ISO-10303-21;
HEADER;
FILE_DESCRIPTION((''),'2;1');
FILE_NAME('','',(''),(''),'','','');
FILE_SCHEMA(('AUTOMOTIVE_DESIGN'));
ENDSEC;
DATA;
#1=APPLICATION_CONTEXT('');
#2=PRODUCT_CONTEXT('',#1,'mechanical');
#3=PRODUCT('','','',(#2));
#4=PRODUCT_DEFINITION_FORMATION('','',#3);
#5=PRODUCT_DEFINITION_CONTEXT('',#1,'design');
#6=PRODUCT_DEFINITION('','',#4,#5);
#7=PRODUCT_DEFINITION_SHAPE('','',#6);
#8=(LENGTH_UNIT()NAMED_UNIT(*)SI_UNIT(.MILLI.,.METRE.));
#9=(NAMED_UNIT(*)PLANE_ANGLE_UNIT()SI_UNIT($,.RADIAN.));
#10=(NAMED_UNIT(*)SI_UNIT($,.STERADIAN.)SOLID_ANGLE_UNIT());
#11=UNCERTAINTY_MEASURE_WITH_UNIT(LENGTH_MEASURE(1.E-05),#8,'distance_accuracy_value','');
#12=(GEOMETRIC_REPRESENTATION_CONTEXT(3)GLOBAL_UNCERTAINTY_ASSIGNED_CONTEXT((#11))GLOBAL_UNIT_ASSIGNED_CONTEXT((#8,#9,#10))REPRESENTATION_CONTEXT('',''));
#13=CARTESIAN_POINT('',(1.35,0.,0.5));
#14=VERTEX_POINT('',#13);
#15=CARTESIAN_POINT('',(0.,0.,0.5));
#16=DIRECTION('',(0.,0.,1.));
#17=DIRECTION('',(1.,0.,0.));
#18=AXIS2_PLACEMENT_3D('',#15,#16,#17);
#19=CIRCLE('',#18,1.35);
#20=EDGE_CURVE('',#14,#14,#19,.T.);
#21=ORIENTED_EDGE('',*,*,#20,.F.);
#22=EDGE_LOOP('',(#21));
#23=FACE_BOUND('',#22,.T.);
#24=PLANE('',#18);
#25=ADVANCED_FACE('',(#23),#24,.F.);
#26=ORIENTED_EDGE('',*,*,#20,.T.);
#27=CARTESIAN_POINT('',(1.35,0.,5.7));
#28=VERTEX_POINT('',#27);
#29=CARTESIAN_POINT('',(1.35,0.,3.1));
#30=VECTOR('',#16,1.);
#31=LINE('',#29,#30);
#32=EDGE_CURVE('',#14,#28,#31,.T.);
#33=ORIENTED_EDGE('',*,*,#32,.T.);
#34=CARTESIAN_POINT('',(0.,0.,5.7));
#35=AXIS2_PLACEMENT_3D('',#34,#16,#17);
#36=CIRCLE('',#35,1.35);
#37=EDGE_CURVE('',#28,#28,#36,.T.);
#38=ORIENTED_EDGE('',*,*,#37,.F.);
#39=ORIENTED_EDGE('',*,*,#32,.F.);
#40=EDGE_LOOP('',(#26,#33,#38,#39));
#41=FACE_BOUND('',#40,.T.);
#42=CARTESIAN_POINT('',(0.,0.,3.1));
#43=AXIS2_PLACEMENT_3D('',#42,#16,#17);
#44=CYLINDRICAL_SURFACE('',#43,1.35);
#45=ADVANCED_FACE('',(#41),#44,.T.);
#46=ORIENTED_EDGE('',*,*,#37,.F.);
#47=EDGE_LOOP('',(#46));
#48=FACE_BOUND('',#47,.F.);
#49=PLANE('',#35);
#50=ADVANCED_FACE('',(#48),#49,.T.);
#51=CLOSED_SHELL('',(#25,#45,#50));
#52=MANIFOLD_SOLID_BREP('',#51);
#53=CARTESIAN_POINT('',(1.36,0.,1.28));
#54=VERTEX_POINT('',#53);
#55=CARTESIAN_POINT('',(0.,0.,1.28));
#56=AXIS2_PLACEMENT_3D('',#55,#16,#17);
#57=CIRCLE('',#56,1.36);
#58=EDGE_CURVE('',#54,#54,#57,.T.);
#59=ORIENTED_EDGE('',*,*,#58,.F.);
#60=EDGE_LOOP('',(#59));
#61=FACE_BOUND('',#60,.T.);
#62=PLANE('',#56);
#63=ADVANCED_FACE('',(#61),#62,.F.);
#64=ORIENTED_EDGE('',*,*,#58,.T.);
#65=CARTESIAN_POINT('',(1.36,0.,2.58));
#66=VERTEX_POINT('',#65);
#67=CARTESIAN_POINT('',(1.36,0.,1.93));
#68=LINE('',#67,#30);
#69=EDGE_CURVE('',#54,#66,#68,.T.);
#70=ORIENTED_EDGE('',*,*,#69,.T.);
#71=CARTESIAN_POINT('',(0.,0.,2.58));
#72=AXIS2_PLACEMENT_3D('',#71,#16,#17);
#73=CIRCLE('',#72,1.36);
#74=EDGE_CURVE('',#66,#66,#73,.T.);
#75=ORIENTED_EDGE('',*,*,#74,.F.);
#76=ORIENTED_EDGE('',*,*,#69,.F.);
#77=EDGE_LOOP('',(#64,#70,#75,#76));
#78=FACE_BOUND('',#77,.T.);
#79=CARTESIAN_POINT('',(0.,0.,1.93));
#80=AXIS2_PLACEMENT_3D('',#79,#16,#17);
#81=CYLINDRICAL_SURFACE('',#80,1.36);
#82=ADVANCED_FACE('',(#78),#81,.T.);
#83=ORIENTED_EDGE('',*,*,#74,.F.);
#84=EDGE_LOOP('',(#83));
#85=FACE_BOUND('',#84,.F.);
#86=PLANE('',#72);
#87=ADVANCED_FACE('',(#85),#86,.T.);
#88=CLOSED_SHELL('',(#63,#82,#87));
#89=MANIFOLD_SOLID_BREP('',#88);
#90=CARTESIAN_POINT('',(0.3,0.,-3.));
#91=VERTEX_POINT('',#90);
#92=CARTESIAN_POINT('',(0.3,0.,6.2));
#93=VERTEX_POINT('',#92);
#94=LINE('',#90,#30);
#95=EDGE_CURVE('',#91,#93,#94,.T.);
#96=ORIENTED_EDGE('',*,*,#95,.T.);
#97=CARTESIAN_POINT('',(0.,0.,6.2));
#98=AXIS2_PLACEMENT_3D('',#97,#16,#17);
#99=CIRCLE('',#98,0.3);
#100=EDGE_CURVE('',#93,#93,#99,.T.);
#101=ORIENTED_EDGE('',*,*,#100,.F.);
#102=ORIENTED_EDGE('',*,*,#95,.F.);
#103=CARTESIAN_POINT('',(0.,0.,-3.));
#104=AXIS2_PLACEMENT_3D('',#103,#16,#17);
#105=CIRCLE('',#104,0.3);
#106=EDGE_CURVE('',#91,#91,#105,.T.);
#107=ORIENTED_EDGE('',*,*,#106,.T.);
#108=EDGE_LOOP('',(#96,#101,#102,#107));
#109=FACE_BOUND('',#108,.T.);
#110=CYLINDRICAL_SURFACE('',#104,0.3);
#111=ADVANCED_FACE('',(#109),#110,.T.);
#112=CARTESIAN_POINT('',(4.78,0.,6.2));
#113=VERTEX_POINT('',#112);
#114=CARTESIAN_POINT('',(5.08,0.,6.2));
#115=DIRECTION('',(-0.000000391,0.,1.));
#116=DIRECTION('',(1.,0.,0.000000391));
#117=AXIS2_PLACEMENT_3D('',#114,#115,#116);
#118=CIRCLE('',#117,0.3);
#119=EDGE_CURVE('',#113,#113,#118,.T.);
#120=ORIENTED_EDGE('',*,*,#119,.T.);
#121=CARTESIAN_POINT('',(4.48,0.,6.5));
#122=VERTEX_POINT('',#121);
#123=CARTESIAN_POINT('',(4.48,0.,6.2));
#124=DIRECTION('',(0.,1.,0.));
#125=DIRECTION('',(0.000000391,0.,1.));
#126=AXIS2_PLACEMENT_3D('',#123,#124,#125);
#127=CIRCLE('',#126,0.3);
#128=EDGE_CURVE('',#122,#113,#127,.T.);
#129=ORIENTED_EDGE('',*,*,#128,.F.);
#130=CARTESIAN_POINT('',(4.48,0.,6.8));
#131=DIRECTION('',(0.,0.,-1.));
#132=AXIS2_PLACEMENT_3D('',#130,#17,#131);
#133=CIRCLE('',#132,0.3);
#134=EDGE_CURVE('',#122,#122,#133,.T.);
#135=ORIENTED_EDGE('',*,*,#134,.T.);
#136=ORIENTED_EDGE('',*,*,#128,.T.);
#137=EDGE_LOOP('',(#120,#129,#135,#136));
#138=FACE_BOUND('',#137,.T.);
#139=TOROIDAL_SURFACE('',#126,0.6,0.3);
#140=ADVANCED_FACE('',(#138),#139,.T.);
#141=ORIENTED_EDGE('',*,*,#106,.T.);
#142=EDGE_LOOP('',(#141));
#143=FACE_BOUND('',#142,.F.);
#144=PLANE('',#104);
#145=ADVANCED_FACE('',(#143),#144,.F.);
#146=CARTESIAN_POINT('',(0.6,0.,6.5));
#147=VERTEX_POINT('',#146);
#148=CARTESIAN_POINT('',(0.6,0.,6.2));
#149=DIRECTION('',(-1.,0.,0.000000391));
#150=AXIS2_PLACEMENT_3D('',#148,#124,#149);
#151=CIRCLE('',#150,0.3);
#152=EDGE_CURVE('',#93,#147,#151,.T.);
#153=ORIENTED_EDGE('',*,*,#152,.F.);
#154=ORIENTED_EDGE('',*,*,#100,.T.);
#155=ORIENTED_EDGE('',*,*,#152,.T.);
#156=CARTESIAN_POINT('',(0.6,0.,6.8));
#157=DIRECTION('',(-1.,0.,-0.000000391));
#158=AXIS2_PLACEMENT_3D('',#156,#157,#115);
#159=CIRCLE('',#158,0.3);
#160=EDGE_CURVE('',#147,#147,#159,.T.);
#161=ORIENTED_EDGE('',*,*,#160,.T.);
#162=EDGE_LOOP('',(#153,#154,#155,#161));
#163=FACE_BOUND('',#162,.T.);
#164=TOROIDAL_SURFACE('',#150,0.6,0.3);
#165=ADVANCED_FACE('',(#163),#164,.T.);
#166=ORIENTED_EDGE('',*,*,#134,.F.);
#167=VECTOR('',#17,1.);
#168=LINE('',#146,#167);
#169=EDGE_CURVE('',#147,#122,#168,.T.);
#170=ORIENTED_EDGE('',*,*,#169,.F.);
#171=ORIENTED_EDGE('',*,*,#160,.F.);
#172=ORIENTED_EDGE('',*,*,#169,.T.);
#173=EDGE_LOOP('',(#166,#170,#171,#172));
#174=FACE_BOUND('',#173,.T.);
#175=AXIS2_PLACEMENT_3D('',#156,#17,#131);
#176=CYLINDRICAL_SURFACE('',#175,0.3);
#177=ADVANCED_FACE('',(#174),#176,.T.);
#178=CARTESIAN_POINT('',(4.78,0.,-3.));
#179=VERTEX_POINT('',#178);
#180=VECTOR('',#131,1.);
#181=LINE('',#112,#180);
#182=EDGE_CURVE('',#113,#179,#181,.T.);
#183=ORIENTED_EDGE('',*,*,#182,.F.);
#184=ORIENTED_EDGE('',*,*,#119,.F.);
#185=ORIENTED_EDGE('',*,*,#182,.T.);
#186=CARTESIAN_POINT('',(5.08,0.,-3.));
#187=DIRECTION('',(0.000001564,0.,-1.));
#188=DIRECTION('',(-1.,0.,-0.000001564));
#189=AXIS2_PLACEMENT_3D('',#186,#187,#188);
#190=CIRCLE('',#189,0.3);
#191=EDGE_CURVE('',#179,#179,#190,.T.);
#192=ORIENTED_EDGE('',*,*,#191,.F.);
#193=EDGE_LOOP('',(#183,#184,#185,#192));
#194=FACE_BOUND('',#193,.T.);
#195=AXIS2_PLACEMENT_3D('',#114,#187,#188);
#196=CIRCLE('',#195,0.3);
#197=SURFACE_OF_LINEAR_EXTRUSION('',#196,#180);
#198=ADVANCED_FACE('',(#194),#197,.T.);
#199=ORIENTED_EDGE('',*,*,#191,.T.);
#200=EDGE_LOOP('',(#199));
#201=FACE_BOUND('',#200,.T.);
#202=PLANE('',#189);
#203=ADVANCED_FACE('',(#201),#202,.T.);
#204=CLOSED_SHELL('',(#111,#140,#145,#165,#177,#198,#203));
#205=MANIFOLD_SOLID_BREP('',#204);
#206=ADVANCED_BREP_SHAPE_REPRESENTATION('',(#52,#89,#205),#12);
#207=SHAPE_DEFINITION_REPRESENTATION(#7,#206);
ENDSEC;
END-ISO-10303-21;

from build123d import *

# Parameters (mm, degrees)
SKETCH001_R = 0.3
SKETCH002_W = 1.35
SKETCH002_H = 5.2
SKETCH003_W = 1.36
SKETCH003_H = 1.3


with BuildPart() as sweep_body:
    # Sweep: sweep along a path in Sketch
    with BuildLine(Plane.XZ) as sweep_path:
        Line((0, -3), (0, 6.2))
        ThreePointArc((0, 6.2), (0.175736, 6.624264), (0.6, 6.8))
        Line((0.6, 6.8), (4.48, 6.8))
        ThreePointArc((4.48, 6.8), (4.904264, 6.624264), (5.08, 6.2))
        Line((5.08, 6.2), (5.08, -3))
    # Sketch001 → Sweep (sweep)
    with BuildSketch(Plane.XY):
        Circle(SKETCH001_R)
    sweep(path=sweep_path.line)


with BuildPart() as revolution:
    # Sketch002 → Revolution (revolve)
    with BuildSketch(Plane.XZ):
        with Locations((0.675, 3.1)):
            Rectangle(SKETCH002_W, SKETCH002_H)
    revolve(axis=Axis((0, 0, 0.5), (0, 0, 1)))


with BuildPart() as revolution001:
    # Sketch003 → Revolution001 (revolve)
    with BuildSketch(Plane.XZ):
        with Locations((0.68, 1.93)):
            Rectangle(SKETCH003_W, SKETCH003_H)
    revolve(axis=Axis((0, 0, 0), (0, 0, 1)))


solid = Compound([sweep_body.part, revolution.part, revolution001.part])
